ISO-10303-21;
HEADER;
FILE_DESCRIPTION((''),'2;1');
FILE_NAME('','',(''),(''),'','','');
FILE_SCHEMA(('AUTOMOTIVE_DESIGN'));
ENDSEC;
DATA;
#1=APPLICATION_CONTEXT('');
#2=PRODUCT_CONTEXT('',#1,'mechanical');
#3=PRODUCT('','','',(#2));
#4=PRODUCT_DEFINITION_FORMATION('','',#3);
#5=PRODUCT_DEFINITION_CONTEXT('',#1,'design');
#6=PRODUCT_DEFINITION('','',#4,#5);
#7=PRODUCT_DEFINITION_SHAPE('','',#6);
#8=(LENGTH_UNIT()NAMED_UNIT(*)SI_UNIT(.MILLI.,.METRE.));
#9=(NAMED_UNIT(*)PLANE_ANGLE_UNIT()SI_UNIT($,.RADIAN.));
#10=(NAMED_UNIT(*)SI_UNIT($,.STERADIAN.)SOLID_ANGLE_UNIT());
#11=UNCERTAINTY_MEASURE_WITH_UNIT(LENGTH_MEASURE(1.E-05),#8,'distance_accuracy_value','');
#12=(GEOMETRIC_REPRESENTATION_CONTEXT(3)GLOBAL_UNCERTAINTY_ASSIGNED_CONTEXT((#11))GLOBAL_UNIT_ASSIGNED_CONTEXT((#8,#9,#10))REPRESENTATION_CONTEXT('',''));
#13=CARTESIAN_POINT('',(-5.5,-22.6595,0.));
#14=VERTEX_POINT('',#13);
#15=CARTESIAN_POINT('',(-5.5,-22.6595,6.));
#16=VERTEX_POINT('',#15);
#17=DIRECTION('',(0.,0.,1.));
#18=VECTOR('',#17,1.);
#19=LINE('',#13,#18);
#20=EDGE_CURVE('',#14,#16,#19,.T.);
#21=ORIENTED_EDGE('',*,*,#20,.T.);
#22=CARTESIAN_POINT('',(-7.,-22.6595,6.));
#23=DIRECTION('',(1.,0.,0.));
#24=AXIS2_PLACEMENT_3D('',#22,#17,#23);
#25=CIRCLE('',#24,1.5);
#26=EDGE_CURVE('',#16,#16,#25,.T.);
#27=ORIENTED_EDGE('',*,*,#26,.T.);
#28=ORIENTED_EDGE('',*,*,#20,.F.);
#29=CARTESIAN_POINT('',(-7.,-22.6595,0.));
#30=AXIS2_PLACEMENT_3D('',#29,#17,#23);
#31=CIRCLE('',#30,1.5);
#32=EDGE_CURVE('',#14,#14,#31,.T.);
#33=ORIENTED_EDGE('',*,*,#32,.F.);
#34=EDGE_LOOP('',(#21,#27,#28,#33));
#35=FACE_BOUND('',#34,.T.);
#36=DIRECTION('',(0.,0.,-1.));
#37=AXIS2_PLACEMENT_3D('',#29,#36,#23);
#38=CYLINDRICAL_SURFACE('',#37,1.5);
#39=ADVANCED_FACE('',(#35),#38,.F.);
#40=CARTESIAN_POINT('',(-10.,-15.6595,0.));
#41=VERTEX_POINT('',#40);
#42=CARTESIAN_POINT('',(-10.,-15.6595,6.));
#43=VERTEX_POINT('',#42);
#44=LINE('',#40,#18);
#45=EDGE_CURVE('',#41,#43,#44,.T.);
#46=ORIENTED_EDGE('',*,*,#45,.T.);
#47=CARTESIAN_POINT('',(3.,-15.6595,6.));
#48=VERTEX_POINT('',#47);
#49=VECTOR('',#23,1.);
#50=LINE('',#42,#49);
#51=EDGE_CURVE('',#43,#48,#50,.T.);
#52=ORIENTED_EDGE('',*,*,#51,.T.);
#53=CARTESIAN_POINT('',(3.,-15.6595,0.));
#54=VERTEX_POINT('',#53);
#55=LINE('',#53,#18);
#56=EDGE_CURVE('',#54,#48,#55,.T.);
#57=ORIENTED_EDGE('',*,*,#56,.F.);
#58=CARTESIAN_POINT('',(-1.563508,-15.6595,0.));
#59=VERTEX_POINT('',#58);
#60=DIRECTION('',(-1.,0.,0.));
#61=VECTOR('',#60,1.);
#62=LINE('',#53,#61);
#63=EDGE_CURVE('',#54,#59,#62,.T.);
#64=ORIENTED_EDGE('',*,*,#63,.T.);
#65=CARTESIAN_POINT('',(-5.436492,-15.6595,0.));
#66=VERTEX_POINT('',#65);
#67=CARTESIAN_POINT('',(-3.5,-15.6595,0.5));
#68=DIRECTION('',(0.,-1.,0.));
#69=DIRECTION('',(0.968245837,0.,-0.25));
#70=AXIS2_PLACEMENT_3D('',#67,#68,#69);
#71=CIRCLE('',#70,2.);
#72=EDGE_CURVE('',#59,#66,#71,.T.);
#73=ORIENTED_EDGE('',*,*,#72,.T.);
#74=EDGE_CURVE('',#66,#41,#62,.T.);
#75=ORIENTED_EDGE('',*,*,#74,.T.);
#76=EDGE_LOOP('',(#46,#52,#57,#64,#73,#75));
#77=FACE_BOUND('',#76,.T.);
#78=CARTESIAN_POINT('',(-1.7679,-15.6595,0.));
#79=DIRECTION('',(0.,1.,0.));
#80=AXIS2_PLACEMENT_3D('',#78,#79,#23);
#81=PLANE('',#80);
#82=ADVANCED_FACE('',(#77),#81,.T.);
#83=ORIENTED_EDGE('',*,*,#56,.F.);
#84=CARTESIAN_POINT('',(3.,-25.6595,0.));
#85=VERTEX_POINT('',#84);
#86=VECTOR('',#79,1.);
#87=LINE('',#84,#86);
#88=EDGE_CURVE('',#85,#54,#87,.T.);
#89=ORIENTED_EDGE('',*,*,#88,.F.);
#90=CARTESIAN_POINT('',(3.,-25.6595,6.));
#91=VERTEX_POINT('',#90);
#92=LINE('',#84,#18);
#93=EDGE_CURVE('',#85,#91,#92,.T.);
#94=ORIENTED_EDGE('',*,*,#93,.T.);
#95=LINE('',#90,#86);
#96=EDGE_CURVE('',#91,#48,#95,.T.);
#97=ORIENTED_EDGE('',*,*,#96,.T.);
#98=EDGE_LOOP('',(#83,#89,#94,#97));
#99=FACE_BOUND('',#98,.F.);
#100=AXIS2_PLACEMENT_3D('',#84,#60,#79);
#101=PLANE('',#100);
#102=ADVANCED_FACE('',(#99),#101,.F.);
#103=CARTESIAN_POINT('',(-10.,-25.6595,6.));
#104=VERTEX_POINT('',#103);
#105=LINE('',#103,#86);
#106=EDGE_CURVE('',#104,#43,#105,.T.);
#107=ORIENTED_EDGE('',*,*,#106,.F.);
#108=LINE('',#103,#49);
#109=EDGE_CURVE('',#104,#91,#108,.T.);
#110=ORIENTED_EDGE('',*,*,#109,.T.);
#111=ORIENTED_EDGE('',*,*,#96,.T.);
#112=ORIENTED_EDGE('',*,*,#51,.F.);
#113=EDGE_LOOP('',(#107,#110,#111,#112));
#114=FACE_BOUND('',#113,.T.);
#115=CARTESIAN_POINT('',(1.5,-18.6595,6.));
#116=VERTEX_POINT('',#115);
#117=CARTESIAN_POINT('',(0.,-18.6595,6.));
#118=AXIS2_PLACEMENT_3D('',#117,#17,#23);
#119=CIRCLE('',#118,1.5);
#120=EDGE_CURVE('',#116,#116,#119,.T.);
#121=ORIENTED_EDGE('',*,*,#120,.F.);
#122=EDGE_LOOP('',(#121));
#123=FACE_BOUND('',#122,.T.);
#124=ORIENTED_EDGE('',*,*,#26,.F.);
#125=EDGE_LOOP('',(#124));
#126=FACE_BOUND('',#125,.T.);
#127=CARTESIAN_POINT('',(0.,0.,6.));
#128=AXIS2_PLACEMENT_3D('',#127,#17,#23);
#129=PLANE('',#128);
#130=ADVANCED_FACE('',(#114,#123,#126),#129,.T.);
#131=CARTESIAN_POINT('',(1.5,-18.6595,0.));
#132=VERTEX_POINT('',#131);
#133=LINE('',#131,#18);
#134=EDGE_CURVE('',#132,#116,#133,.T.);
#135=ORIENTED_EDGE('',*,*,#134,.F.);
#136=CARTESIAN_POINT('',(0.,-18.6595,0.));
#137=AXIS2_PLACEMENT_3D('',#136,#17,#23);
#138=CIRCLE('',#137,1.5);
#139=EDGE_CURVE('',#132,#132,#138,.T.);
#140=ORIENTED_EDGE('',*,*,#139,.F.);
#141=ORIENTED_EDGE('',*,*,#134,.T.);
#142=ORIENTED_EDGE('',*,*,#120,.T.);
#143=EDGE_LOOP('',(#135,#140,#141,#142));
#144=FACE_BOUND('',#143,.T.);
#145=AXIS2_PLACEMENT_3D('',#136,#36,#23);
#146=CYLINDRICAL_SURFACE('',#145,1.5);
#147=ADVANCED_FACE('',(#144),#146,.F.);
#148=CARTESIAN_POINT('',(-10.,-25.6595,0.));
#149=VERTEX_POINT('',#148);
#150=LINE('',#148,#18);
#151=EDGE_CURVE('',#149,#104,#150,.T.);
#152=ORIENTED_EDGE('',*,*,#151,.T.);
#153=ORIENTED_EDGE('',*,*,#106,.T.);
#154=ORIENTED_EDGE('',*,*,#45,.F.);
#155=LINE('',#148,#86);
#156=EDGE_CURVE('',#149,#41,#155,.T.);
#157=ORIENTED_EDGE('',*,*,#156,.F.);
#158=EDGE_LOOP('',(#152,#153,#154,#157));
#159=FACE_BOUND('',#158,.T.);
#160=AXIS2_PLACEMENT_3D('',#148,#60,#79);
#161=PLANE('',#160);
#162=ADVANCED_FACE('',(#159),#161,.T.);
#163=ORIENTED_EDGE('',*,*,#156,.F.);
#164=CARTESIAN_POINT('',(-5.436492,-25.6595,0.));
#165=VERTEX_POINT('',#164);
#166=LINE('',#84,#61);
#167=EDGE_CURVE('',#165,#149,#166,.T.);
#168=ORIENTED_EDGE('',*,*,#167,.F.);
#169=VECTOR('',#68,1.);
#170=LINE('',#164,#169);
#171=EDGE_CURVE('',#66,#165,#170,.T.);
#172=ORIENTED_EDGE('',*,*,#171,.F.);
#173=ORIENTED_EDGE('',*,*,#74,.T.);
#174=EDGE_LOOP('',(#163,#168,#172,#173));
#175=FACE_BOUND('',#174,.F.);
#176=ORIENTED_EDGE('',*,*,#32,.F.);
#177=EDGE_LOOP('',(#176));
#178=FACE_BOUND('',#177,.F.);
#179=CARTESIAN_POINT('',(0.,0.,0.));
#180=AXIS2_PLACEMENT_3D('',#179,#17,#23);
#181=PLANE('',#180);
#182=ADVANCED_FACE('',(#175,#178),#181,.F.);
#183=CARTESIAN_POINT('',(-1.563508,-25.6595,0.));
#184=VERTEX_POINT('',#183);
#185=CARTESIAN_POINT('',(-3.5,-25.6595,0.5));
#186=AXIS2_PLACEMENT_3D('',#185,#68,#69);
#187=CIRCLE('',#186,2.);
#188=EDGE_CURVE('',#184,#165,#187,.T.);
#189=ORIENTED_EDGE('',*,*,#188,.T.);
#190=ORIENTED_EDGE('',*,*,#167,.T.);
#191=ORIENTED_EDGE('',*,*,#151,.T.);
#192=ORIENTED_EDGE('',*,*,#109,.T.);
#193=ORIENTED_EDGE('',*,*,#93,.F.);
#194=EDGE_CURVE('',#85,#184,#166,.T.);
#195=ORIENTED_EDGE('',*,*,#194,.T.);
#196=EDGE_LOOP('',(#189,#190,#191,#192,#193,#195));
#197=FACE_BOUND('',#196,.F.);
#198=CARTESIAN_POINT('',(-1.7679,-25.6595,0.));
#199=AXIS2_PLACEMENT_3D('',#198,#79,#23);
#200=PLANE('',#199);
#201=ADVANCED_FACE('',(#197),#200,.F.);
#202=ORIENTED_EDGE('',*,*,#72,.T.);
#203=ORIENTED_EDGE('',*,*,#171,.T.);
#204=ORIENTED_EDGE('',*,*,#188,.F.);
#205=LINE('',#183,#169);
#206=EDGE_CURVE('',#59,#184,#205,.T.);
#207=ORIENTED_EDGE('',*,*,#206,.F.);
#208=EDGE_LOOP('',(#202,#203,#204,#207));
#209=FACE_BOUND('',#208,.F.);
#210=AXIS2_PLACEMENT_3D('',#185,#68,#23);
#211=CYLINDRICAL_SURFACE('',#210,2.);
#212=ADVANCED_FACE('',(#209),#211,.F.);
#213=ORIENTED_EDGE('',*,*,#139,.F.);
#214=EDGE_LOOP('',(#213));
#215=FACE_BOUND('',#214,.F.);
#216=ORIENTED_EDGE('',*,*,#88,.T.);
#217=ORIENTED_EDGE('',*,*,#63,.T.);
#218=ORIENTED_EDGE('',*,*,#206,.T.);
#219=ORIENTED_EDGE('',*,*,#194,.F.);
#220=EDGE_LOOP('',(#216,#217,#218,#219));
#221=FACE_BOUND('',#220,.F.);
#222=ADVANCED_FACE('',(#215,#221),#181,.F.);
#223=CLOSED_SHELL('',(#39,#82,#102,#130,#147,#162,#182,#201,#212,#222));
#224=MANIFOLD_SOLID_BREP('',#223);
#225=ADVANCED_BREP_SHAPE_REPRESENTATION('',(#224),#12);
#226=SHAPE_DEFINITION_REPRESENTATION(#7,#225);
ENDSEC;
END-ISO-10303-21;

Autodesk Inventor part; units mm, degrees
ref_plane "YZ Plane" through (0, 0, 0) normal (1, 0, 0) x (0, 1, 0)
ref_plane "XZ Plane" through (0, 0, 0) normal (0, 1, 0) x (-1, 0, 0)
ref_plane "XY Plane" through (0, 0, 0) normal (0, 0, 1) x (1, 0, 0)
sketch "Sketch1" plane through (0, 0, 0) normal (0, 0, 1) x (1, 0, 0)
  line L0 (-1.7679, 0.1299) -> (-1.7679, -25.6595) projected
  line L1 (-1.7679, -25.6595) -> (3, -25.6595) projected
  line L2 (3, -25.6595) -> (3, -15.6595) projected
  line L3 (3, -15.6595) -> (0, -15.6595) projected
  line L4 (0, -15.6595) -> (0, 0.1299) projected
  line L5 (-1.7679, 0.1299) -> (0, 0.1299) projected
  circle A0 centre (0, -18.6595) radius 1.5 projected
  line L6 (-5.2321, -25.6595) -> (-5.2321, 0.1299) projected
  line L7 (-10, 0.1299) -> (-5.2321, 0.1299) projected
  line L8 (-10, -25.6595) -> (-10, 0.1299) projected
  line L9 (-10, -25.6595) -> (-5.2321, -25.6595) projected
  circle A1 centre (-7, -22.6595) radius 1.5 projected
  line L10 (3, -25.6595) -> (-10, -25.6595)
  line L11 (-10, -25.6595) -> (-10, -15.6595)
  line L12 (-10, -15.6595) -> (3, -15.6595)
  line L13 (3, -15.6595) -> (3, -25.6595)
  point P0 (0, 0)
extrude "Extrusion1" add sketch "Sketch1" along normal blind 6 contours L12 L3 L2 L1 L0 | L0 L10 L6 L12 | L6 L9 L8 L12
sketch "Sketch2" plane through (-10, -25.6595, 0) normal (0, -1, 0) x (1, 0, 0)
  line L0 (0, 0) -> (13, 0) projected
  line L1 (13, 0) -> (13, 6) projected
  line L2 (0, 6) -> (13, 6) projected
  line L3 (0, 0) -> (0, 6) projected
  arc A0 (4.7679, 0) -> (8.2321, 0) centre (6.5, 1) ccw projected
  line L4 (0, 0) -> (4.7679, 0) projected
  line L5 (0, 0) -> (0, -4) projected
  line L6 (0, -4) -> (13, -4) projected
  line L7 (13, 0) -> (13, -4) projected
  line L8 (8.2321, 0) -> (13, 0) projected
  circle A1 centre (6.5, 0.5) radius 2
  point P0 (10, 0)
  dimension "d2" = 4
  dimension "d3" = 6.5
  dimension "d4" = 0.5
extrude "Extrusion2" cut sketch "Sketch2" against normal through all contours L0 A1 | A0 L0 A1
properties part number "eye_cam_clamp"
